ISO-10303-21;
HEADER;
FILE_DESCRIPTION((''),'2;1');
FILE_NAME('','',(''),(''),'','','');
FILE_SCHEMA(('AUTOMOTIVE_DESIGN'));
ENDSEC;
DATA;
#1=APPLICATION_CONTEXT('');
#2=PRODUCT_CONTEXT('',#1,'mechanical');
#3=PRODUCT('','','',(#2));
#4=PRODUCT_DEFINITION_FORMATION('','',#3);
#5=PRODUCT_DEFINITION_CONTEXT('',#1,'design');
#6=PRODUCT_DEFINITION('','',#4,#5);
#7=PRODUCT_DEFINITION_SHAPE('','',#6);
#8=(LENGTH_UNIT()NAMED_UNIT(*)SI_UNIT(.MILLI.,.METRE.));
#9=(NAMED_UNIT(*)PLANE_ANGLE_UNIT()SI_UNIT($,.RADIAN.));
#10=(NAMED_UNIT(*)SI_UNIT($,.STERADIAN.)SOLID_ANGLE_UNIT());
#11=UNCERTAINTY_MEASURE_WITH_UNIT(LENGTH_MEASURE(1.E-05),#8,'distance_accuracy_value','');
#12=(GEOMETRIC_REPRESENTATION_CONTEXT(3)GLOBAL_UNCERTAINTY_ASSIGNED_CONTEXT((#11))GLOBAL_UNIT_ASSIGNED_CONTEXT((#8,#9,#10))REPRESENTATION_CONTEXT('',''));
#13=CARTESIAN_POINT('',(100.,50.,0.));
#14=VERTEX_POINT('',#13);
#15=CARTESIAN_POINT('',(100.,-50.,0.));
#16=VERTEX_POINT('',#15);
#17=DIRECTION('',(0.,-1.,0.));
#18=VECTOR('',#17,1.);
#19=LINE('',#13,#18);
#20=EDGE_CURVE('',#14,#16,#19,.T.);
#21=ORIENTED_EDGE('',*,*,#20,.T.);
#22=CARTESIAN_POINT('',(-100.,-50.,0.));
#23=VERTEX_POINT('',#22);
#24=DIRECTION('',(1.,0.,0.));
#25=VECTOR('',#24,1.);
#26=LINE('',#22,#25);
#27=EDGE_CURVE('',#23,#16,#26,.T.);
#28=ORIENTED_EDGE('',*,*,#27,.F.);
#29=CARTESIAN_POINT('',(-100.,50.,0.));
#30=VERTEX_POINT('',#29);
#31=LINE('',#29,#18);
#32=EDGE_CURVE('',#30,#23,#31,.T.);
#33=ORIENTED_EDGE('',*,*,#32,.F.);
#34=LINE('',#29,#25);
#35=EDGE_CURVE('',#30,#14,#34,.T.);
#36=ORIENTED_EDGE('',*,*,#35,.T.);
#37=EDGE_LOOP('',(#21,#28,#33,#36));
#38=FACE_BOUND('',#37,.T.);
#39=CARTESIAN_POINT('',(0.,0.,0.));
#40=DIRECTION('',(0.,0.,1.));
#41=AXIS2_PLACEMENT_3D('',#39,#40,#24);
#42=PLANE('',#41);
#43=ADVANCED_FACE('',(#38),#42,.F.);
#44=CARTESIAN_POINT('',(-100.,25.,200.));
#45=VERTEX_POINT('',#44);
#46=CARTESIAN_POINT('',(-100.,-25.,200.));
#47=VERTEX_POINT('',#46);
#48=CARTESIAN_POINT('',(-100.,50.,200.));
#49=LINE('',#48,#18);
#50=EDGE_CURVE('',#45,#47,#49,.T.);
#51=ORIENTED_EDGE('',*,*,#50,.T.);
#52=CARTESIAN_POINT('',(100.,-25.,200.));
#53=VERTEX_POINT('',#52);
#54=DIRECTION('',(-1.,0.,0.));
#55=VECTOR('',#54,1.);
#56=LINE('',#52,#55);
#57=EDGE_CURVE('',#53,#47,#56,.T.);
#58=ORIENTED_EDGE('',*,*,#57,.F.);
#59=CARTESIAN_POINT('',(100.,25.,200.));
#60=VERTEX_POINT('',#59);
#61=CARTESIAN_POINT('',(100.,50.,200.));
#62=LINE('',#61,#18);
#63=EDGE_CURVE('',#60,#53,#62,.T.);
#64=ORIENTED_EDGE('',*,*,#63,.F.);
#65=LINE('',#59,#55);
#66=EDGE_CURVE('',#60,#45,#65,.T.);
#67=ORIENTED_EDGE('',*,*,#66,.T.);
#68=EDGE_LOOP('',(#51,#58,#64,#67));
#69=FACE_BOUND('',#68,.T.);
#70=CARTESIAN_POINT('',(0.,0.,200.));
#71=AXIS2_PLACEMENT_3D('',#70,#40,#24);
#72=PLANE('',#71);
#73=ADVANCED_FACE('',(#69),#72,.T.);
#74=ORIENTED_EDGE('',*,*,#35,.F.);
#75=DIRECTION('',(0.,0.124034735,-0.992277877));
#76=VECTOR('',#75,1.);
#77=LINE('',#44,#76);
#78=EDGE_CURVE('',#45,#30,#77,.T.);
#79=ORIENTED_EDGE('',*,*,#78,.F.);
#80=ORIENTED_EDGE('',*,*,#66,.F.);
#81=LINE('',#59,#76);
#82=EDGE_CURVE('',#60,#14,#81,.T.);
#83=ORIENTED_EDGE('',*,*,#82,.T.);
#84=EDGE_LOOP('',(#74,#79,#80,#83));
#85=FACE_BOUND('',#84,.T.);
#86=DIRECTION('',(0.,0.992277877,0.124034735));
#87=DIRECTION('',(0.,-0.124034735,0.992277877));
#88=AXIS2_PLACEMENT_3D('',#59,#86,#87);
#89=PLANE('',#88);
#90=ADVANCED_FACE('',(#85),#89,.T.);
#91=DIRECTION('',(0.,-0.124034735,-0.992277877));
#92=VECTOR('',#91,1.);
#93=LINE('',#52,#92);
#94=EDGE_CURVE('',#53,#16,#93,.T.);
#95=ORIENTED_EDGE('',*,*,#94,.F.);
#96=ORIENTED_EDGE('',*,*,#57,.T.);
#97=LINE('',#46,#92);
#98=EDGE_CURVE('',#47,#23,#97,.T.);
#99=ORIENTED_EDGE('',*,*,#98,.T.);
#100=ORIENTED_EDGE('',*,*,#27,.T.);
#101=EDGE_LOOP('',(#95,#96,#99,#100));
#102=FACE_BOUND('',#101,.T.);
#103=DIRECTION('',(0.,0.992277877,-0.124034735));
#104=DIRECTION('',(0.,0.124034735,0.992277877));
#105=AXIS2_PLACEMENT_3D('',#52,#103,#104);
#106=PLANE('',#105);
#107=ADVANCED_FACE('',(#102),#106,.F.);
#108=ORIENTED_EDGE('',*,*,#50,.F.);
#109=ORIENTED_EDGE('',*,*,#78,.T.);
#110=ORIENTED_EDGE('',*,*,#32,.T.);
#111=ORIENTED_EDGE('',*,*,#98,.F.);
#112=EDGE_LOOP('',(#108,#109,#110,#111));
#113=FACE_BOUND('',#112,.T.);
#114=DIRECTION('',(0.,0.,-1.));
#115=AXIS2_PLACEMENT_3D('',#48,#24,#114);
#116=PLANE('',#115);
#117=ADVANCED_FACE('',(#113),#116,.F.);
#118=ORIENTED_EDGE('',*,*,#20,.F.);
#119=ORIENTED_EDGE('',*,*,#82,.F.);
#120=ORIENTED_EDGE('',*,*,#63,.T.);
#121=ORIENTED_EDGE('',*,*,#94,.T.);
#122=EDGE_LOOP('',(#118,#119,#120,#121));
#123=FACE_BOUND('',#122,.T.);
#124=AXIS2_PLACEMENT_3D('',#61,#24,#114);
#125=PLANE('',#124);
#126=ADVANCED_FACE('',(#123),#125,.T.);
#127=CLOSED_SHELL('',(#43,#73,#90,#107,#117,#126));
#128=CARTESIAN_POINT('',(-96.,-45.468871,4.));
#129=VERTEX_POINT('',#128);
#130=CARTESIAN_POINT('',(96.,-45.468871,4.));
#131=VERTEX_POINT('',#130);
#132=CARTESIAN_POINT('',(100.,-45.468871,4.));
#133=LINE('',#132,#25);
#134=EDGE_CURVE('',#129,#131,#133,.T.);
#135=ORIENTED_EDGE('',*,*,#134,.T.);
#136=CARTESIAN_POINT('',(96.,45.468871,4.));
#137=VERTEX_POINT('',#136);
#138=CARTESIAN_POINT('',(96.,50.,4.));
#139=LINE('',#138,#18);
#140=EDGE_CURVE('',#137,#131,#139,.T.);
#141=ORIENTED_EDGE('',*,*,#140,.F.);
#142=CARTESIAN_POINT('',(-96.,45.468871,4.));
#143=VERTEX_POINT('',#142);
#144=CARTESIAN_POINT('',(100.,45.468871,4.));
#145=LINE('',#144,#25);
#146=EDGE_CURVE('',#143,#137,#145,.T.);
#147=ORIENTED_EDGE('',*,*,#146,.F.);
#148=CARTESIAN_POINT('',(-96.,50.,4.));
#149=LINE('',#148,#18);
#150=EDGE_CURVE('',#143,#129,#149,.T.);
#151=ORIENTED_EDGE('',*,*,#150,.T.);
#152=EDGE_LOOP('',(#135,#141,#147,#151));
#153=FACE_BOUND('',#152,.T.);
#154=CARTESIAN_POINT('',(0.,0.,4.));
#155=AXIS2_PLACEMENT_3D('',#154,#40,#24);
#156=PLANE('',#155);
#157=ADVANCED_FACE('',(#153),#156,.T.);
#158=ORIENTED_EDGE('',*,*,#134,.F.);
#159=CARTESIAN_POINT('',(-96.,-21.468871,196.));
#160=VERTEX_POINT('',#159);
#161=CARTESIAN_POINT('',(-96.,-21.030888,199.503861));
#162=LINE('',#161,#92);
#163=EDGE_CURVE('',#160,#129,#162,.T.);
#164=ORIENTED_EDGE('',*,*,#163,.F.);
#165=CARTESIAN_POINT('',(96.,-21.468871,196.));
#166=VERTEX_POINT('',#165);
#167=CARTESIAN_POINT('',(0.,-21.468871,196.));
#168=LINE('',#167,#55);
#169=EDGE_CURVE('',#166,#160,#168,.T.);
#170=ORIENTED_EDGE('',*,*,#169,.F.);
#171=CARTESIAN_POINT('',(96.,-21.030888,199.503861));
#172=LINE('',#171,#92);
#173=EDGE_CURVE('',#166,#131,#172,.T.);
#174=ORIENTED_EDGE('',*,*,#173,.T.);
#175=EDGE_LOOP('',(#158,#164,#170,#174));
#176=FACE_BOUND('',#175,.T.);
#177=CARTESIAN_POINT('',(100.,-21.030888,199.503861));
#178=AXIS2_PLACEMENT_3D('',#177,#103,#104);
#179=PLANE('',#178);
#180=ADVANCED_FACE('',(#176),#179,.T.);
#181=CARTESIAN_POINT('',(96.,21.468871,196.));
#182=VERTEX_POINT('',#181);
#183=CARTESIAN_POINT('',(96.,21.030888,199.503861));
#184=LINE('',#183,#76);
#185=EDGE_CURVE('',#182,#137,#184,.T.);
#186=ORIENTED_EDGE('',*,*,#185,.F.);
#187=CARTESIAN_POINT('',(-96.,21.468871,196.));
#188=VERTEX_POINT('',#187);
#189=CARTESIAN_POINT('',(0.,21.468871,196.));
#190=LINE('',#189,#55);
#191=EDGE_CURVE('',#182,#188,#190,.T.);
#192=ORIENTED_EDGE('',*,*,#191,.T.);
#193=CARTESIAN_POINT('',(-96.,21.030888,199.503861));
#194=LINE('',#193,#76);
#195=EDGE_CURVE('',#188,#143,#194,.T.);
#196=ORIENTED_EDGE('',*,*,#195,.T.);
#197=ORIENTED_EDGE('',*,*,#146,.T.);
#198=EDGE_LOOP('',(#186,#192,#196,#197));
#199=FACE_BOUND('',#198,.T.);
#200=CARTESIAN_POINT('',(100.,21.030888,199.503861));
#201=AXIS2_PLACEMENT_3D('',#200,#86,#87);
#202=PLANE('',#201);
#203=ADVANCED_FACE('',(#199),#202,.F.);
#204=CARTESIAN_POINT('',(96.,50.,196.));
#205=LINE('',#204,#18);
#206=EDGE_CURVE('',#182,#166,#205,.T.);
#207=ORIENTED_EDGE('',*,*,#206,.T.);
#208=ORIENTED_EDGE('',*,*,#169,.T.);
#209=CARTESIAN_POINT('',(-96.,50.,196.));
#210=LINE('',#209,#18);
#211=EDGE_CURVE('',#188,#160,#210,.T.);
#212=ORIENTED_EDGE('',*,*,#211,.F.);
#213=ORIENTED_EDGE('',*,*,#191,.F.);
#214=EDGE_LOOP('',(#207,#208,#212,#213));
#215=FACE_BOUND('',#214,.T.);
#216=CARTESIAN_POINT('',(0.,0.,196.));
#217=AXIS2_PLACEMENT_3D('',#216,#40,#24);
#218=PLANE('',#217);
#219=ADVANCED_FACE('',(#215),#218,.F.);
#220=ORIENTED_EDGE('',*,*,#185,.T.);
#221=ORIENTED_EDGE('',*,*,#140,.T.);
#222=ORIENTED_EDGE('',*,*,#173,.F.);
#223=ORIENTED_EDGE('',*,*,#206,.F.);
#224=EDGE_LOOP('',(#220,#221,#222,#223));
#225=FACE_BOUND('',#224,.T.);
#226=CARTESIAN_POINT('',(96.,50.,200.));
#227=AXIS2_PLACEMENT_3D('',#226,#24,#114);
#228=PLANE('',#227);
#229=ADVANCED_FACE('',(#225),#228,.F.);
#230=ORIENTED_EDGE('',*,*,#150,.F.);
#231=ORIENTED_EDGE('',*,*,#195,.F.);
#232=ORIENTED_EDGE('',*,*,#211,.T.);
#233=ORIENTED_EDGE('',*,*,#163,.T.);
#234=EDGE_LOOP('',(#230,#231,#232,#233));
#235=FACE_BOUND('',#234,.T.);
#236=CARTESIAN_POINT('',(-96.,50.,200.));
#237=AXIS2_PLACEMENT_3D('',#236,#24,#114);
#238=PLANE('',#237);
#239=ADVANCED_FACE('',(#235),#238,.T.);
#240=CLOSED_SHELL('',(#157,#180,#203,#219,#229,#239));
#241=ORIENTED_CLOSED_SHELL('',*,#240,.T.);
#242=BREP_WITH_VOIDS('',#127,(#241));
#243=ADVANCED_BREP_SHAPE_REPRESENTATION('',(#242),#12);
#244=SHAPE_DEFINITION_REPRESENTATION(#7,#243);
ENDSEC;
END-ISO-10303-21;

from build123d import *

# Parameters (mm, degrees)
CROQUIS1_W              = 200
CROQUIS1_H              = 100
SALIENTE_EXTRUIR1_DEPTH = 200
CORTAR_EXTRUIR1_DEPTH   = 200
CORTAR_EXTRUIR2_DEPTH   = 200
VACIADO1_T              = 4


with BuildPart() as part:
    # Croquis1 → Saliente-Extruir1 (new body)
    with BuildSketch(Plane.XY):
        Rectangle(CROQUIS1_W, CROQUIS1_H)
    extrude(amount=SALIENTE_EXTRUIR1_DEPTH)

    # Croquis18 → Cortar-Extruir1 (cut)
    with BuildSketch(Plane.ZY.offset(100)):
        Polygon((0, 50), (200, 50), (200, 25), align=None)
    extrude(amount=-CORTAR_EXTRUIR1_DEPTH, mode=Mode.SUBTRACT)

    # Croquis20 → Cortar-Extruir2 (cut)
    with BuildSketch(Plane.ZY.offset(100)):
        Polygon((0, -50), (200, -50), (200, -25), align=None)
    extrude(amount=-CORTAR_EXTRUIR2_DEPTH, mode=Mode.SUBTRACT)

    # Vaciado1 (no face opened: a closed hollow body)
    add(offset(amount=-VACIADO1_T, mode=Mode.PRIVATE), mode=Mode.SUBTRACT)


solid = part.part
